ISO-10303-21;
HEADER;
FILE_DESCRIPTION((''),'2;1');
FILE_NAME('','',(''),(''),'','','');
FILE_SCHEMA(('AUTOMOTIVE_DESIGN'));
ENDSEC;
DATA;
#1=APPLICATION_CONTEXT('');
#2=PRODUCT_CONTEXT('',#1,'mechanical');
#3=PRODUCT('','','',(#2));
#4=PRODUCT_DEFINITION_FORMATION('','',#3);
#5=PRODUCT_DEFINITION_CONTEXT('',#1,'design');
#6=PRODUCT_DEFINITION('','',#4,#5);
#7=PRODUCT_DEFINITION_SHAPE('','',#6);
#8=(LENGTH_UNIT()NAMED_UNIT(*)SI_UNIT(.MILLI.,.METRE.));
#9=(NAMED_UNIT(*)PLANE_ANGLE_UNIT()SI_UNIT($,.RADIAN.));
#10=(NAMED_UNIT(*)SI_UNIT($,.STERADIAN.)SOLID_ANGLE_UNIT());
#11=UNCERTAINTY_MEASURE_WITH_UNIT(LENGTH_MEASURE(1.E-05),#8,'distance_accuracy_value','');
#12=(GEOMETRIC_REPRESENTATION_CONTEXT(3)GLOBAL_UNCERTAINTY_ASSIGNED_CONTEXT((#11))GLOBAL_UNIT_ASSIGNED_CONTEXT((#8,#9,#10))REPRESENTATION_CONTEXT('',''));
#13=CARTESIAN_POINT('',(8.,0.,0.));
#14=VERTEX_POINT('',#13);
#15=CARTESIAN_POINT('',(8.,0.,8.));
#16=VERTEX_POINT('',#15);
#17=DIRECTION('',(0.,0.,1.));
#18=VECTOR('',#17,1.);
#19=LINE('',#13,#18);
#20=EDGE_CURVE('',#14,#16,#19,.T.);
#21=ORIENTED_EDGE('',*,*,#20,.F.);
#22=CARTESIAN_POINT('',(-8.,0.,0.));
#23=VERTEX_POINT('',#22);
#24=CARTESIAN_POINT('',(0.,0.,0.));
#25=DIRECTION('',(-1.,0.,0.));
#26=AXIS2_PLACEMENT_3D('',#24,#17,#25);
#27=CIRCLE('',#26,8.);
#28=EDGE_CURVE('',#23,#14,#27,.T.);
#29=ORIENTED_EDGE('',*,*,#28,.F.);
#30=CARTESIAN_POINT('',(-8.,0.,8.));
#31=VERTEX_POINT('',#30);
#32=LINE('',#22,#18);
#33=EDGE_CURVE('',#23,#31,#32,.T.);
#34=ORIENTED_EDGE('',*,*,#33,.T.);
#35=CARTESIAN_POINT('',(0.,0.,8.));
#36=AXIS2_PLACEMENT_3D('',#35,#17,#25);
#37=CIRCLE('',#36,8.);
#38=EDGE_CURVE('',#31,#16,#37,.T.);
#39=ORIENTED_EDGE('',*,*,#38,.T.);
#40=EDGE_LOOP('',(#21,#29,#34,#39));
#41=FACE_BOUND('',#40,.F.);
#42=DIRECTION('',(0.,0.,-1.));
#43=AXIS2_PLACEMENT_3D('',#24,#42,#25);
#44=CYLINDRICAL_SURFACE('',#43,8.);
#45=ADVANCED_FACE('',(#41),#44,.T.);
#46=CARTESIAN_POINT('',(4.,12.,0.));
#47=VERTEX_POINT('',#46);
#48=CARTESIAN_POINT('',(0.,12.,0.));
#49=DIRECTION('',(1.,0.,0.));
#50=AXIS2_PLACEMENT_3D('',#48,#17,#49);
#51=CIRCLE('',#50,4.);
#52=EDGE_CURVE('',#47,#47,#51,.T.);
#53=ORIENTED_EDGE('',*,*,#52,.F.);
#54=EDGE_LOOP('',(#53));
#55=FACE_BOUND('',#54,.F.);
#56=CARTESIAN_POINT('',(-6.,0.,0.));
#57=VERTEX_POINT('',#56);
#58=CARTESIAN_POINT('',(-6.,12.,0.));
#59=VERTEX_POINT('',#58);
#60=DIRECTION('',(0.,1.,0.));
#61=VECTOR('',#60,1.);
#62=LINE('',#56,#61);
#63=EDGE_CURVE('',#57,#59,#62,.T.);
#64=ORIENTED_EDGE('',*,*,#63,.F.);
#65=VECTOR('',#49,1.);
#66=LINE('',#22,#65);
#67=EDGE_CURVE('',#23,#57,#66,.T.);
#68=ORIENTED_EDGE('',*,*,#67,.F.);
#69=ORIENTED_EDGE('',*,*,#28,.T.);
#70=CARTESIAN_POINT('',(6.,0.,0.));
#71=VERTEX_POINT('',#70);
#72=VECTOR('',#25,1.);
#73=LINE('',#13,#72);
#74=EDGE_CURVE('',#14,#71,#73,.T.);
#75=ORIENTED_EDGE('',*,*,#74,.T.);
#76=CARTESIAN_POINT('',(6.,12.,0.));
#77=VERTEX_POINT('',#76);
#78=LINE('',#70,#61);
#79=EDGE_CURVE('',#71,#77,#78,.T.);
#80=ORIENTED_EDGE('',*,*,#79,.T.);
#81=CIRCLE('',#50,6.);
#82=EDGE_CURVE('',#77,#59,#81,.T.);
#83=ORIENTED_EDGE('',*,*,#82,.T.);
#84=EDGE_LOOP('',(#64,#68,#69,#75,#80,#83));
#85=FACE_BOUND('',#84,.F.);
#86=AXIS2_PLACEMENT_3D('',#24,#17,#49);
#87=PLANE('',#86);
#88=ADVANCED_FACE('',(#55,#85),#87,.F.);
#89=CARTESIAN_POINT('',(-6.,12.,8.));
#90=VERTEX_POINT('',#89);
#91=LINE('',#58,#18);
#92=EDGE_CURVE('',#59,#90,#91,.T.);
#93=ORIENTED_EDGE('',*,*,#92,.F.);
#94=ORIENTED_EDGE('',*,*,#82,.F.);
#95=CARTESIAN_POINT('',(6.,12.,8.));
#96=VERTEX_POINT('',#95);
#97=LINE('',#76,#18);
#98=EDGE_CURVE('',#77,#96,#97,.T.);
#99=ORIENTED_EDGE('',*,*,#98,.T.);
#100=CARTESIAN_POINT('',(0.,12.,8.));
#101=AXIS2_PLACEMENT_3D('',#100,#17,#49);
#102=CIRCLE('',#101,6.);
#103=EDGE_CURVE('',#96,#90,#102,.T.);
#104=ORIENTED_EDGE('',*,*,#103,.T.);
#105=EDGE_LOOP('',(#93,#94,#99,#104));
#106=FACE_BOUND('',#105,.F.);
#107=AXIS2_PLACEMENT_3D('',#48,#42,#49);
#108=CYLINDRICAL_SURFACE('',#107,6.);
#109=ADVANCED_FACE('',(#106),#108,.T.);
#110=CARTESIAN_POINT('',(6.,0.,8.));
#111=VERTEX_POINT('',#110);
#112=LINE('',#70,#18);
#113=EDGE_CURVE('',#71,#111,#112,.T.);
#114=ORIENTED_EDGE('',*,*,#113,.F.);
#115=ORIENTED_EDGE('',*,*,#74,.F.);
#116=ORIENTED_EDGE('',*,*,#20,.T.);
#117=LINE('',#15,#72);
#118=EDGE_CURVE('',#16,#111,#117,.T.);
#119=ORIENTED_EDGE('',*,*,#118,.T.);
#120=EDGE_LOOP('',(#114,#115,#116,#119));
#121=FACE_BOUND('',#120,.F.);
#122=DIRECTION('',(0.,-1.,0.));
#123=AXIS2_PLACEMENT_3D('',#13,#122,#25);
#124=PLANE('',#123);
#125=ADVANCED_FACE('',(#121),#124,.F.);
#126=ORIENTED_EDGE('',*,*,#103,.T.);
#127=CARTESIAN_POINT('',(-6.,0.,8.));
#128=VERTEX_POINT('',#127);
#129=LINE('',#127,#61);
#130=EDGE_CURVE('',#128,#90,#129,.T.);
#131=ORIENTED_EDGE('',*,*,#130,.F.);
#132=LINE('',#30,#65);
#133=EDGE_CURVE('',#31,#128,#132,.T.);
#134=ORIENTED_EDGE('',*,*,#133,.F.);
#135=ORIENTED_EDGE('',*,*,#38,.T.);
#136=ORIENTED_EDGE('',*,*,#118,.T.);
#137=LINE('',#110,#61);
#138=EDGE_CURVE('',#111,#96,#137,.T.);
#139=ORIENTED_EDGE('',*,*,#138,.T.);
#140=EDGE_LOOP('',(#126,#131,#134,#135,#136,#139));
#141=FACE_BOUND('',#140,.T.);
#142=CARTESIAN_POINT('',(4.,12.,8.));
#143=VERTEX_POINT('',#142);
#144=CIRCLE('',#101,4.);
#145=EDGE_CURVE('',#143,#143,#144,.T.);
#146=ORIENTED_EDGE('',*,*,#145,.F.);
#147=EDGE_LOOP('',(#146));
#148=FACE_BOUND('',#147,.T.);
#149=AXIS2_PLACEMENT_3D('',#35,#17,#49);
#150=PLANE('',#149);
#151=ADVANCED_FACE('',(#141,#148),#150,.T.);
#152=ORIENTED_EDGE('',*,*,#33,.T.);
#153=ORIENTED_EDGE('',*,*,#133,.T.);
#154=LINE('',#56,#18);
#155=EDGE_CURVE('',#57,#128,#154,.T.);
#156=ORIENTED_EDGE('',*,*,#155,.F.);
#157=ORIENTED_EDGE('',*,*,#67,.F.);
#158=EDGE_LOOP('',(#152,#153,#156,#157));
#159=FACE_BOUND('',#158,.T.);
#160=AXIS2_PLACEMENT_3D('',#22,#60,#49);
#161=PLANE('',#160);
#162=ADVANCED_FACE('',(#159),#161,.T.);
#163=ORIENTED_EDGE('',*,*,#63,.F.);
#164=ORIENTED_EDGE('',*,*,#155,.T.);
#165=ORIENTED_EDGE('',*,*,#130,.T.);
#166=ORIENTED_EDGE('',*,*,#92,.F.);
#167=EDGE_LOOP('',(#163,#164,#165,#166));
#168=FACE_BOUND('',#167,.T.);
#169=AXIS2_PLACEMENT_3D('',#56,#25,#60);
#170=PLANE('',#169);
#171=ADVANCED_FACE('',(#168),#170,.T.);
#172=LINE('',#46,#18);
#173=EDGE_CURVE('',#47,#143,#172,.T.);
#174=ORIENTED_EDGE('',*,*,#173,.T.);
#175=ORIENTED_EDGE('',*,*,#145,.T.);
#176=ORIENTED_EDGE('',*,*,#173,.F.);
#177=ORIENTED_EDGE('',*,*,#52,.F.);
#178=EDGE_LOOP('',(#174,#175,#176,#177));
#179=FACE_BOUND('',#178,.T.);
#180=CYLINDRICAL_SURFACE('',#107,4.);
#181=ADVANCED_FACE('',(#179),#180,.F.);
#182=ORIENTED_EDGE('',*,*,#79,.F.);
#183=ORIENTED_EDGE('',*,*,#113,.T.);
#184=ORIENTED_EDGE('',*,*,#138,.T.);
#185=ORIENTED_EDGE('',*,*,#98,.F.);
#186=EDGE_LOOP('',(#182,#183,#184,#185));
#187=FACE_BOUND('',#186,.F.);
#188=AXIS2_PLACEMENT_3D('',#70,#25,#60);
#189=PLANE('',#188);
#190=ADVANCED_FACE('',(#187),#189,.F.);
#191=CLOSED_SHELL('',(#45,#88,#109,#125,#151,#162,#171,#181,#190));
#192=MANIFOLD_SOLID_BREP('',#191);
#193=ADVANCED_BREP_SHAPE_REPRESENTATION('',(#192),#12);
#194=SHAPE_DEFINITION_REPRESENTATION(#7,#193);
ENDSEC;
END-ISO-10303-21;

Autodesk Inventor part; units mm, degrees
ref_plane "YZ Plane" through (0, 0, 0) normal (1, 0, 0) x (0, 1, 0)
ref_plane "XZ Plane" through (0, 0, 0) normal (0, 1, 0) x (-1, 0, 0)
ref_plane "XY Plane" through (0, 0, 0) normal (0, 0, 1) x (1, 0, 0)
sketch "Sketch1" plane through (0, 0, 0) normal (0, 0, 1) x (1, 0, 0)
  line L0 (-6, 0) -> (-6, 12)
  line L1 (-8, 0) -> (-6, 0)
  line L2 (8, 0) -> (6, 0)
  line L3 (6, 0) -> (6, 12)
  arc A0 (-8, 0) -> (8, 0) centre (0, 0) ccw
  arc A1 (6, 12) -> (-6, 12) centre (0, 12) ccw
  circle A2 centre (0, 12) radius 4
  point P0 (0, -8)
  dimension "d1" = 2
  dimension "d2" = 8
  dimension "d3" = 2
  dimension "d9" = 20
extrude "Extrusion1" add sketch "Sketch1" along normal blind 8
properties part number "khurramf_01_Swing"
